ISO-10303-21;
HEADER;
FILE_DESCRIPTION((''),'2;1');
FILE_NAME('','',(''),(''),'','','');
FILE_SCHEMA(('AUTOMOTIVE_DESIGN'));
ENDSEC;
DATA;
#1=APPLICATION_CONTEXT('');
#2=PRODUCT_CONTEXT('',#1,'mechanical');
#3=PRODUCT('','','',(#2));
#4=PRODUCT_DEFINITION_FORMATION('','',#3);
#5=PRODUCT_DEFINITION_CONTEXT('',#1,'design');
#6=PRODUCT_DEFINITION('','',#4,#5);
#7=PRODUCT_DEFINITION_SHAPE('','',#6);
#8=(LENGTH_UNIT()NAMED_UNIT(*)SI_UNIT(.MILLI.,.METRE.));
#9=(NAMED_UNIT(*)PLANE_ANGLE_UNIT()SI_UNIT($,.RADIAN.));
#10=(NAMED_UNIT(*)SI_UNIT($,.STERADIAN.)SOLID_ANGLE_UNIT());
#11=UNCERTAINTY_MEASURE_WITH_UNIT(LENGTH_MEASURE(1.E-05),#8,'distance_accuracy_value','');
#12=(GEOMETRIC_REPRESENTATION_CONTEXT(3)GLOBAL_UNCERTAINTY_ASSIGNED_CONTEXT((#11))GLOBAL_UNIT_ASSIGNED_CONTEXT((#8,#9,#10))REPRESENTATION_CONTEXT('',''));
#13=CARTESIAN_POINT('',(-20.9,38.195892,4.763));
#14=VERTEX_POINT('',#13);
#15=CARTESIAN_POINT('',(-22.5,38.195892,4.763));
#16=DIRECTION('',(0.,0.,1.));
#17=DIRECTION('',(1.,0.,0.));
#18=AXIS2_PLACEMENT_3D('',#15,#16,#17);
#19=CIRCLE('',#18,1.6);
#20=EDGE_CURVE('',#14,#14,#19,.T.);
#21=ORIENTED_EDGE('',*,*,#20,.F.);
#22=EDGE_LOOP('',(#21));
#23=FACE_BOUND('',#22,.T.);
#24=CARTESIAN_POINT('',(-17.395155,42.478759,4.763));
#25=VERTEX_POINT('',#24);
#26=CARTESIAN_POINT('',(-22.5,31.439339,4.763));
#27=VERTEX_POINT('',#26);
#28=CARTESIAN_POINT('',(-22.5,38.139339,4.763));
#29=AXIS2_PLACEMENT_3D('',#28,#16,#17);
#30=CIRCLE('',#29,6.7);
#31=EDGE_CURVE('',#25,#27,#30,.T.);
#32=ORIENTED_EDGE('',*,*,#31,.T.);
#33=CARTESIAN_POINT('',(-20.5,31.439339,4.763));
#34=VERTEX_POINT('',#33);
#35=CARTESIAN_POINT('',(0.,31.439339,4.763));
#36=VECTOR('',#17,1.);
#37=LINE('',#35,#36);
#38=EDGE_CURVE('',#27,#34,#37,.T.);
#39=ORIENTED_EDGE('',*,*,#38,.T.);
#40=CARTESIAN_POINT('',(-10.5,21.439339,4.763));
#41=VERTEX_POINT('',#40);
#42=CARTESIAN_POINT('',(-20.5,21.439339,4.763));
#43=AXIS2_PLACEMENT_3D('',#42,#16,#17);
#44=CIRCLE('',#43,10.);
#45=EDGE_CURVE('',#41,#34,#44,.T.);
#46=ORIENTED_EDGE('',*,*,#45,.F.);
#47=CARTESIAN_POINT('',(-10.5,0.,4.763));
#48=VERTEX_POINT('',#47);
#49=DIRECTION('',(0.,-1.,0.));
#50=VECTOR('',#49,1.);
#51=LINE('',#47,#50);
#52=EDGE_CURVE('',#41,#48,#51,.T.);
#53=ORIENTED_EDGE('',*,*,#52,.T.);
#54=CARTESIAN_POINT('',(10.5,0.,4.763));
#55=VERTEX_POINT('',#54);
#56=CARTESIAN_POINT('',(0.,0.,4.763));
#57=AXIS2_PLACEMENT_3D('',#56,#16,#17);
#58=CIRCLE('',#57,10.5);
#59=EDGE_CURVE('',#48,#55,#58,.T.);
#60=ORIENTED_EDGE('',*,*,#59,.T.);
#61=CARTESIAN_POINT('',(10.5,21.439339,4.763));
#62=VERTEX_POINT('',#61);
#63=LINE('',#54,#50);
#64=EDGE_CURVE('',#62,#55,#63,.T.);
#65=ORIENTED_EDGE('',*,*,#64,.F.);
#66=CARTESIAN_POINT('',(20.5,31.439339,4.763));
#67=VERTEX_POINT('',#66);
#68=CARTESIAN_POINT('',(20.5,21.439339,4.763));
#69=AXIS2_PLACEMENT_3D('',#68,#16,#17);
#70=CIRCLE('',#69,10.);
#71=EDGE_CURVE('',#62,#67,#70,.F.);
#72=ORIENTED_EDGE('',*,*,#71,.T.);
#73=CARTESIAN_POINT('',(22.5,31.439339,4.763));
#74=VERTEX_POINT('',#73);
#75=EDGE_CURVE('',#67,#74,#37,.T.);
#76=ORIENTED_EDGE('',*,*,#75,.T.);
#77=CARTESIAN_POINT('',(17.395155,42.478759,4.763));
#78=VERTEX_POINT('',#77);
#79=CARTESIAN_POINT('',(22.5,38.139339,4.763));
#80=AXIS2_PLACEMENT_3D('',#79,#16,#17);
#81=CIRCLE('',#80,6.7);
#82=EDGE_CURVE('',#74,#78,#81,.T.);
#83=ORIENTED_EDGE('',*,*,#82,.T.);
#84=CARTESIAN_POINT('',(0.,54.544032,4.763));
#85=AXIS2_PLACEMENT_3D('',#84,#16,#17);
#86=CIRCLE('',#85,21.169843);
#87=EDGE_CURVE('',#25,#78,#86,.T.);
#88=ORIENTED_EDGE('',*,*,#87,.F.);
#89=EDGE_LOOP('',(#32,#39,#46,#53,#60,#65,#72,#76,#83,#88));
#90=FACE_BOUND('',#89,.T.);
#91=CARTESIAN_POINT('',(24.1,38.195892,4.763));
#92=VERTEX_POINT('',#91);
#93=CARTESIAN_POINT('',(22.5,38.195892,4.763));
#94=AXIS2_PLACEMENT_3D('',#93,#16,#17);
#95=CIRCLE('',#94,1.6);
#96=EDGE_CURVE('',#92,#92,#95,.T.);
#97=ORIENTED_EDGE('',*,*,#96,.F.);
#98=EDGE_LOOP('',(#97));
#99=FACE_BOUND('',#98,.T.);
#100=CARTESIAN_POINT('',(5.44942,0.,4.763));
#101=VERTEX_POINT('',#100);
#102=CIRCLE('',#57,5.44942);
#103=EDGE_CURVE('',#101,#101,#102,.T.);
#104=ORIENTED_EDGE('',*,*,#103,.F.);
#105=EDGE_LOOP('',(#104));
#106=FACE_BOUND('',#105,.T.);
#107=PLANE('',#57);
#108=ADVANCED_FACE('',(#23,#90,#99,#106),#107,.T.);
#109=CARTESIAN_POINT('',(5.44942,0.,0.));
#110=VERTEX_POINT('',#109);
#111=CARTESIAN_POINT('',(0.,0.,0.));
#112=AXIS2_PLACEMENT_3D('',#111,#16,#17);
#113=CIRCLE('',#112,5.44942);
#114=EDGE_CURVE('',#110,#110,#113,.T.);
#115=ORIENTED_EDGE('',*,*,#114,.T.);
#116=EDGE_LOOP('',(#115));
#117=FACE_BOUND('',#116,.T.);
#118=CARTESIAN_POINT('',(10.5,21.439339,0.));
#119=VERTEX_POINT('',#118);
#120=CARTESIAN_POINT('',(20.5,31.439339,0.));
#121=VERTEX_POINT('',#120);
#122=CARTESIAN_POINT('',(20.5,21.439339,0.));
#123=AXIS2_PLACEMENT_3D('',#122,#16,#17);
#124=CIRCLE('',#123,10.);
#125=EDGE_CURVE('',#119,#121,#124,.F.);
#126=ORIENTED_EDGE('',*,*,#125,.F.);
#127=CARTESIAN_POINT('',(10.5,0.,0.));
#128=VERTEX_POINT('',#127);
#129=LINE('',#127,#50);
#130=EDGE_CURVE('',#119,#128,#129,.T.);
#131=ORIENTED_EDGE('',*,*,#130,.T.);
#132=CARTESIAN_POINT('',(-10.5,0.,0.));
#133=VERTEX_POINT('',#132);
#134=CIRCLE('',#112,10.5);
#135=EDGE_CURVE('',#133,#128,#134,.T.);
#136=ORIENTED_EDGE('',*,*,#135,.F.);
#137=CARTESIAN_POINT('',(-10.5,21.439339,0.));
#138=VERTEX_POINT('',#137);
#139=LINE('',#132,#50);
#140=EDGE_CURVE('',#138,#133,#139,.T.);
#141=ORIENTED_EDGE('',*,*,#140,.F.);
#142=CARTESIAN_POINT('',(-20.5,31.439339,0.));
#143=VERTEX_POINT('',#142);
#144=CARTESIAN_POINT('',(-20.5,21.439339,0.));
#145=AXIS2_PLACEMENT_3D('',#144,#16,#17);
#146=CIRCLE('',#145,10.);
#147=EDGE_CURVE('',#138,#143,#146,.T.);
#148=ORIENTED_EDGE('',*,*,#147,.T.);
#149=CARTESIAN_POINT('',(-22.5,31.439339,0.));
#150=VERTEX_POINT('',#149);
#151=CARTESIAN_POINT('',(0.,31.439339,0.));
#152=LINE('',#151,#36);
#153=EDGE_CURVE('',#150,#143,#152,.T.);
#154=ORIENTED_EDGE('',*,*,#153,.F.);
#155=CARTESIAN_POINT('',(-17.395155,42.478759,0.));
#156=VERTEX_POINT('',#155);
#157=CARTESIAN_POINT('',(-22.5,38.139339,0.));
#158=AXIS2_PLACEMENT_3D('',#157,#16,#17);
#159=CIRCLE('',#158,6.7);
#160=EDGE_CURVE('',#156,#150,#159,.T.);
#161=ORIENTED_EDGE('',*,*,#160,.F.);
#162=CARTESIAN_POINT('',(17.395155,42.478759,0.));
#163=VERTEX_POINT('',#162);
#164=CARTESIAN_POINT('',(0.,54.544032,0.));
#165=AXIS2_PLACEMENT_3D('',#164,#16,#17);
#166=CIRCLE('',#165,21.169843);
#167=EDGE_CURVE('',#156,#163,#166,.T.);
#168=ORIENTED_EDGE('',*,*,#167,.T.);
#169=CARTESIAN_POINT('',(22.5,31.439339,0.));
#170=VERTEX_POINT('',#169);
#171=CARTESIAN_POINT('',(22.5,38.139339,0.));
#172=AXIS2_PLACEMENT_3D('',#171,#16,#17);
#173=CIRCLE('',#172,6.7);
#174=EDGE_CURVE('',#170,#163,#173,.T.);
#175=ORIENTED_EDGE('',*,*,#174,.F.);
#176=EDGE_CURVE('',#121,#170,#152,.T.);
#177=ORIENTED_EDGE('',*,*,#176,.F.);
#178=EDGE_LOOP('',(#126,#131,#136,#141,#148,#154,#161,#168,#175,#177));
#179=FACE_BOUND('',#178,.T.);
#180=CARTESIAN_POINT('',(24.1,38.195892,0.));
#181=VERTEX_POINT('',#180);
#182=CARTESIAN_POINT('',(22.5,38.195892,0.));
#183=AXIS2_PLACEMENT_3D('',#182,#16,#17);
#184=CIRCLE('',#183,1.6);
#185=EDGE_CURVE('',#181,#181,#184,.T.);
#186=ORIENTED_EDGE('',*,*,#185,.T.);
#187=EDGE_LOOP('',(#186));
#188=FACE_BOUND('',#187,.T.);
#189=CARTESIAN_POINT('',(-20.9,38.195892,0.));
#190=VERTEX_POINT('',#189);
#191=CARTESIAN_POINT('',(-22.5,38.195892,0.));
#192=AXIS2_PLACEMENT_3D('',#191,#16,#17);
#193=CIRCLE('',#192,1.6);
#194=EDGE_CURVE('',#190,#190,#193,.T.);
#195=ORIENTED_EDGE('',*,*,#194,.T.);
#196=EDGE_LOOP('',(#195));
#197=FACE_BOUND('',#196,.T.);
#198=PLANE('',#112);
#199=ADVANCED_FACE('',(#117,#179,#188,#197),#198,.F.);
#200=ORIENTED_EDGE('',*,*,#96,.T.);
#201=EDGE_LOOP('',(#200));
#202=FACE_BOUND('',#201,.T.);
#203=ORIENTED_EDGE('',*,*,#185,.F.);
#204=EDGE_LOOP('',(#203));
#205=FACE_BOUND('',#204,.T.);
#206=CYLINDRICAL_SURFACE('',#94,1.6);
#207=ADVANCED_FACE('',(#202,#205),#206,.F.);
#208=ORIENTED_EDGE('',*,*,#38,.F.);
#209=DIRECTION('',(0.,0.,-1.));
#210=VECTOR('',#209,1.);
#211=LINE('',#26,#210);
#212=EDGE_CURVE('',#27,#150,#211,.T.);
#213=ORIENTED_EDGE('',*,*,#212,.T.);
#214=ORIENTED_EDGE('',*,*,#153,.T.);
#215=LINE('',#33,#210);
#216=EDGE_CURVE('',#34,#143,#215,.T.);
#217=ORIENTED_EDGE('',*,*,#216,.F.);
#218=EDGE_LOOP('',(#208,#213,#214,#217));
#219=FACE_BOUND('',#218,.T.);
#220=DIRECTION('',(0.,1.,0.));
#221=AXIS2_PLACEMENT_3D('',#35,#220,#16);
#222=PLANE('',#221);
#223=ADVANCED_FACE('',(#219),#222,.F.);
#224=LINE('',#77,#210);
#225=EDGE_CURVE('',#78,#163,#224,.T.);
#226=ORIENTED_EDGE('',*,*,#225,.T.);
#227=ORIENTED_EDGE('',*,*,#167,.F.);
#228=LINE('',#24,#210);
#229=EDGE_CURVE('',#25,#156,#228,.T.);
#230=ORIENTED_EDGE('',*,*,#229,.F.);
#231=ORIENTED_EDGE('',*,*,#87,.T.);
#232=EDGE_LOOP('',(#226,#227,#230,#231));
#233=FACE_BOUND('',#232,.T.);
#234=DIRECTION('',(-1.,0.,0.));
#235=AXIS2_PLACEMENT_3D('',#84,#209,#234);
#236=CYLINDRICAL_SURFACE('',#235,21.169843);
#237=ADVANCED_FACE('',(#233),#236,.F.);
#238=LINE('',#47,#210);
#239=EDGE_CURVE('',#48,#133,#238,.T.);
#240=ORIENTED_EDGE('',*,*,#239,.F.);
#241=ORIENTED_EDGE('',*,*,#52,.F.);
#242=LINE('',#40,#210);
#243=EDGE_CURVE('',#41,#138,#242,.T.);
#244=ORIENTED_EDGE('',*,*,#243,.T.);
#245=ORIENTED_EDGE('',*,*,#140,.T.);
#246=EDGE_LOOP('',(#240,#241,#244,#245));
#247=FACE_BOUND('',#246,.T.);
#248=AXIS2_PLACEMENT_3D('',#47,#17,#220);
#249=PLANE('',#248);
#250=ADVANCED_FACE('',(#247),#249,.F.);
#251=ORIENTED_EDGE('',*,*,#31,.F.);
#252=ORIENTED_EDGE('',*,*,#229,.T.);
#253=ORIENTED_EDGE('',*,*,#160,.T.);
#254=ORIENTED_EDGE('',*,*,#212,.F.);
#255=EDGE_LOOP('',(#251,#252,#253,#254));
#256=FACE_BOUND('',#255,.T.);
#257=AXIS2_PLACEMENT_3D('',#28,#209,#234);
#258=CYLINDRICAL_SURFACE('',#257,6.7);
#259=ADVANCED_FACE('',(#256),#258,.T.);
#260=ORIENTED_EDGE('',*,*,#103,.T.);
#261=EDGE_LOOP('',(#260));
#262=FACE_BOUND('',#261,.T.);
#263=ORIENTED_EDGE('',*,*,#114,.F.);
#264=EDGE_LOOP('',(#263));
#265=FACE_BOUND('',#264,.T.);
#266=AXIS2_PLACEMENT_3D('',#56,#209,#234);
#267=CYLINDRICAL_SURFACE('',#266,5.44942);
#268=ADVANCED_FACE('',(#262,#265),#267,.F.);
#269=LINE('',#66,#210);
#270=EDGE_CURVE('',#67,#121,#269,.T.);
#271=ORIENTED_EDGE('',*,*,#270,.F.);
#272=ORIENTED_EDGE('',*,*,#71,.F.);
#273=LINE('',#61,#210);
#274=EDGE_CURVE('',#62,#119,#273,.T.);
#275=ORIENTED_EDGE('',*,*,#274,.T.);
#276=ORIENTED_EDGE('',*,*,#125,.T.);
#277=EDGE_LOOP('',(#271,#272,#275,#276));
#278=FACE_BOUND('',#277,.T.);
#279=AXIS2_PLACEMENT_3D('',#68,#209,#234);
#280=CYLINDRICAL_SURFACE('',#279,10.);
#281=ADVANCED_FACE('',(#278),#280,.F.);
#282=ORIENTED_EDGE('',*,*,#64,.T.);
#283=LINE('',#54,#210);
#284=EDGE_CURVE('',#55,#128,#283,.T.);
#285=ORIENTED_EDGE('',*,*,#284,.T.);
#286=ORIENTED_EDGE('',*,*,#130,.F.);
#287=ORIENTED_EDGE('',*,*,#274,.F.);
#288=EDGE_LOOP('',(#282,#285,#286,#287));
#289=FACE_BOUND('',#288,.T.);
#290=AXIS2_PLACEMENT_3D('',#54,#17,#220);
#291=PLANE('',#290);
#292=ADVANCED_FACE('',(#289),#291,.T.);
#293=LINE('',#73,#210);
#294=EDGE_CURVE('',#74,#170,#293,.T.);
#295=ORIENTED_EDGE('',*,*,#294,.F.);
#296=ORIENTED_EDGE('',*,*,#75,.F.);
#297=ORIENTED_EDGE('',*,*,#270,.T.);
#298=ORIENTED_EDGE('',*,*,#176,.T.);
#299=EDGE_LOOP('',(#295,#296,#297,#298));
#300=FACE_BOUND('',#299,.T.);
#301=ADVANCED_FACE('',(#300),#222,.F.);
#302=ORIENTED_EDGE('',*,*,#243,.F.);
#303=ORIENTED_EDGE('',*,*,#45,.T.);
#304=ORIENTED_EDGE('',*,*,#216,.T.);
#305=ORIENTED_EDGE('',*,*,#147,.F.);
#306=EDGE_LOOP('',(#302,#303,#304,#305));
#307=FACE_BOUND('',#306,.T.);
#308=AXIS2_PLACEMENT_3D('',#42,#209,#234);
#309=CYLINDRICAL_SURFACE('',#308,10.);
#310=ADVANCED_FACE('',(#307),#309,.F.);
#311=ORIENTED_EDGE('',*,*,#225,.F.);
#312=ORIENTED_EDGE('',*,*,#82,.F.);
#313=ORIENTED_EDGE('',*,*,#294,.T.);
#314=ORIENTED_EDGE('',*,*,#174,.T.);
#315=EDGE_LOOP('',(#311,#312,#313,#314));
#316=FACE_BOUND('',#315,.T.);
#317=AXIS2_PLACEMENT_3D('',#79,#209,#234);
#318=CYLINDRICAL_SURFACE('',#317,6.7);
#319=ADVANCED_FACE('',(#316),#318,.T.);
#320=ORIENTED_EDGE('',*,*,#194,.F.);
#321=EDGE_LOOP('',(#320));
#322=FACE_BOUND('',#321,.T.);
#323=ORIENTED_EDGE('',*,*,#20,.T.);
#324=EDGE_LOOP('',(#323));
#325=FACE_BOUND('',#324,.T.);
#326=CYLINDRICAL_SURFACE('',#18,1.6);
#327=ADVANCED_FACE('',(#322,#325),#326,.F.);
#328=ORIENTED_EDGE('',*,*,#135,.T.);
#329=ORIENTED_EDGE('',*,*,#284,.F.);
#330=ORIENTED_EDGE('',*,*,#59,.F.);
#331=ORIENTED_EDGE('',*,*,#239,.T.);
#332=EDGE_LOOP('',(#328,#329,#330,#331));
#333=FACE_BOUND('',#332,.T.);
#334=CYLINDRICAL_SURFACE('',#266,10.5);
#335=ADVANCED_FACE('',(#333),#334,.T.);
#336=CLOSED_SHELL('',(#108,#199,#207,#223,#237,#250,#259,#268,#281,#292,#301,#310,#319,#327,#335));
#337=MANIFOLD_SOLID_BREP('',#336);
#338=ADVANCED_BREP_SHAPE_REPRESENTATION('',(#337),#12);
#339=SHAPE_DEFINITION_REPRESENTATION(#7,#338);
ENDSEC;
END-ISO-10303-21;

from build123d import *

# Parameters (mm, degrees)
SKETCH1_R            = 5.44942
BOSS_EXTRUDE1_DEPTH  = 4.763
M3_CLEARANCE_HOLE1_D = 3.2


with BuildPart() as part:
    # Sketch1 → Boss-Extrude1 (new body)
    with BuildSketch(Plane.XY):
        with BuildLine():
            ThreePointArc((10.5, 21.439339413), (13.428932188, 28.510407225), (20.5, 31.439339413))
            Line((20.5, 31.439339413), (22.5, 31.439339413))
            ThreePointArc((22.5, 31.439339413), (28.581287214, 40.95144642), (17.395155109, 42.478758572))
            ThreePointArc((17.395155109, 42.478758572), (17.105956053, 42.072123099), (16.807253326, 41.672416728))
            ThreePointArc((16.807253326, 41.672416728), (0, 33.374189215), (-16.807253326, 41.672416728))
            ThreePointArc((-16.807253326, 41.672416728), (-17.105956053, 42.072123099), (-17.395155109, 42.478758572))
            ThreePointArc((-17.395155109, 42.478758572), (-28.581287214, 40.95144642), (-22.5, 31.439339413))
            Line((-22.5, 31.439339413), (-20.5, 31.439339413))
            ThreePointArc((-20.5, 31.439339413), (-13.428932188, 28.510407225), (-10.5, 21.439339413))
            Line((-10.5, 21.439339413), (-10.5, 0))
            ThreePointArc((-10.5, 0), (0, -10.5), (10.5, 0))
            Line((10.5, 0), (10.5, 21.439339413))
        make_face()
        Circle(SKETCH1_R, mode=Mode.SUBTRACT)
    extrude(amount=BOSS_EXTRUDE1_DEPTH)

    # M3 Clearance Hole1 (through all)
    with Locations(Plane.XY.offset(4.763)):
        with Locations((-22.5, 38.195891618), (22.5, 38.195891618)):
            Hole(M3_CLEARANCE_HOLE1_D / 2)


solid = part.part
